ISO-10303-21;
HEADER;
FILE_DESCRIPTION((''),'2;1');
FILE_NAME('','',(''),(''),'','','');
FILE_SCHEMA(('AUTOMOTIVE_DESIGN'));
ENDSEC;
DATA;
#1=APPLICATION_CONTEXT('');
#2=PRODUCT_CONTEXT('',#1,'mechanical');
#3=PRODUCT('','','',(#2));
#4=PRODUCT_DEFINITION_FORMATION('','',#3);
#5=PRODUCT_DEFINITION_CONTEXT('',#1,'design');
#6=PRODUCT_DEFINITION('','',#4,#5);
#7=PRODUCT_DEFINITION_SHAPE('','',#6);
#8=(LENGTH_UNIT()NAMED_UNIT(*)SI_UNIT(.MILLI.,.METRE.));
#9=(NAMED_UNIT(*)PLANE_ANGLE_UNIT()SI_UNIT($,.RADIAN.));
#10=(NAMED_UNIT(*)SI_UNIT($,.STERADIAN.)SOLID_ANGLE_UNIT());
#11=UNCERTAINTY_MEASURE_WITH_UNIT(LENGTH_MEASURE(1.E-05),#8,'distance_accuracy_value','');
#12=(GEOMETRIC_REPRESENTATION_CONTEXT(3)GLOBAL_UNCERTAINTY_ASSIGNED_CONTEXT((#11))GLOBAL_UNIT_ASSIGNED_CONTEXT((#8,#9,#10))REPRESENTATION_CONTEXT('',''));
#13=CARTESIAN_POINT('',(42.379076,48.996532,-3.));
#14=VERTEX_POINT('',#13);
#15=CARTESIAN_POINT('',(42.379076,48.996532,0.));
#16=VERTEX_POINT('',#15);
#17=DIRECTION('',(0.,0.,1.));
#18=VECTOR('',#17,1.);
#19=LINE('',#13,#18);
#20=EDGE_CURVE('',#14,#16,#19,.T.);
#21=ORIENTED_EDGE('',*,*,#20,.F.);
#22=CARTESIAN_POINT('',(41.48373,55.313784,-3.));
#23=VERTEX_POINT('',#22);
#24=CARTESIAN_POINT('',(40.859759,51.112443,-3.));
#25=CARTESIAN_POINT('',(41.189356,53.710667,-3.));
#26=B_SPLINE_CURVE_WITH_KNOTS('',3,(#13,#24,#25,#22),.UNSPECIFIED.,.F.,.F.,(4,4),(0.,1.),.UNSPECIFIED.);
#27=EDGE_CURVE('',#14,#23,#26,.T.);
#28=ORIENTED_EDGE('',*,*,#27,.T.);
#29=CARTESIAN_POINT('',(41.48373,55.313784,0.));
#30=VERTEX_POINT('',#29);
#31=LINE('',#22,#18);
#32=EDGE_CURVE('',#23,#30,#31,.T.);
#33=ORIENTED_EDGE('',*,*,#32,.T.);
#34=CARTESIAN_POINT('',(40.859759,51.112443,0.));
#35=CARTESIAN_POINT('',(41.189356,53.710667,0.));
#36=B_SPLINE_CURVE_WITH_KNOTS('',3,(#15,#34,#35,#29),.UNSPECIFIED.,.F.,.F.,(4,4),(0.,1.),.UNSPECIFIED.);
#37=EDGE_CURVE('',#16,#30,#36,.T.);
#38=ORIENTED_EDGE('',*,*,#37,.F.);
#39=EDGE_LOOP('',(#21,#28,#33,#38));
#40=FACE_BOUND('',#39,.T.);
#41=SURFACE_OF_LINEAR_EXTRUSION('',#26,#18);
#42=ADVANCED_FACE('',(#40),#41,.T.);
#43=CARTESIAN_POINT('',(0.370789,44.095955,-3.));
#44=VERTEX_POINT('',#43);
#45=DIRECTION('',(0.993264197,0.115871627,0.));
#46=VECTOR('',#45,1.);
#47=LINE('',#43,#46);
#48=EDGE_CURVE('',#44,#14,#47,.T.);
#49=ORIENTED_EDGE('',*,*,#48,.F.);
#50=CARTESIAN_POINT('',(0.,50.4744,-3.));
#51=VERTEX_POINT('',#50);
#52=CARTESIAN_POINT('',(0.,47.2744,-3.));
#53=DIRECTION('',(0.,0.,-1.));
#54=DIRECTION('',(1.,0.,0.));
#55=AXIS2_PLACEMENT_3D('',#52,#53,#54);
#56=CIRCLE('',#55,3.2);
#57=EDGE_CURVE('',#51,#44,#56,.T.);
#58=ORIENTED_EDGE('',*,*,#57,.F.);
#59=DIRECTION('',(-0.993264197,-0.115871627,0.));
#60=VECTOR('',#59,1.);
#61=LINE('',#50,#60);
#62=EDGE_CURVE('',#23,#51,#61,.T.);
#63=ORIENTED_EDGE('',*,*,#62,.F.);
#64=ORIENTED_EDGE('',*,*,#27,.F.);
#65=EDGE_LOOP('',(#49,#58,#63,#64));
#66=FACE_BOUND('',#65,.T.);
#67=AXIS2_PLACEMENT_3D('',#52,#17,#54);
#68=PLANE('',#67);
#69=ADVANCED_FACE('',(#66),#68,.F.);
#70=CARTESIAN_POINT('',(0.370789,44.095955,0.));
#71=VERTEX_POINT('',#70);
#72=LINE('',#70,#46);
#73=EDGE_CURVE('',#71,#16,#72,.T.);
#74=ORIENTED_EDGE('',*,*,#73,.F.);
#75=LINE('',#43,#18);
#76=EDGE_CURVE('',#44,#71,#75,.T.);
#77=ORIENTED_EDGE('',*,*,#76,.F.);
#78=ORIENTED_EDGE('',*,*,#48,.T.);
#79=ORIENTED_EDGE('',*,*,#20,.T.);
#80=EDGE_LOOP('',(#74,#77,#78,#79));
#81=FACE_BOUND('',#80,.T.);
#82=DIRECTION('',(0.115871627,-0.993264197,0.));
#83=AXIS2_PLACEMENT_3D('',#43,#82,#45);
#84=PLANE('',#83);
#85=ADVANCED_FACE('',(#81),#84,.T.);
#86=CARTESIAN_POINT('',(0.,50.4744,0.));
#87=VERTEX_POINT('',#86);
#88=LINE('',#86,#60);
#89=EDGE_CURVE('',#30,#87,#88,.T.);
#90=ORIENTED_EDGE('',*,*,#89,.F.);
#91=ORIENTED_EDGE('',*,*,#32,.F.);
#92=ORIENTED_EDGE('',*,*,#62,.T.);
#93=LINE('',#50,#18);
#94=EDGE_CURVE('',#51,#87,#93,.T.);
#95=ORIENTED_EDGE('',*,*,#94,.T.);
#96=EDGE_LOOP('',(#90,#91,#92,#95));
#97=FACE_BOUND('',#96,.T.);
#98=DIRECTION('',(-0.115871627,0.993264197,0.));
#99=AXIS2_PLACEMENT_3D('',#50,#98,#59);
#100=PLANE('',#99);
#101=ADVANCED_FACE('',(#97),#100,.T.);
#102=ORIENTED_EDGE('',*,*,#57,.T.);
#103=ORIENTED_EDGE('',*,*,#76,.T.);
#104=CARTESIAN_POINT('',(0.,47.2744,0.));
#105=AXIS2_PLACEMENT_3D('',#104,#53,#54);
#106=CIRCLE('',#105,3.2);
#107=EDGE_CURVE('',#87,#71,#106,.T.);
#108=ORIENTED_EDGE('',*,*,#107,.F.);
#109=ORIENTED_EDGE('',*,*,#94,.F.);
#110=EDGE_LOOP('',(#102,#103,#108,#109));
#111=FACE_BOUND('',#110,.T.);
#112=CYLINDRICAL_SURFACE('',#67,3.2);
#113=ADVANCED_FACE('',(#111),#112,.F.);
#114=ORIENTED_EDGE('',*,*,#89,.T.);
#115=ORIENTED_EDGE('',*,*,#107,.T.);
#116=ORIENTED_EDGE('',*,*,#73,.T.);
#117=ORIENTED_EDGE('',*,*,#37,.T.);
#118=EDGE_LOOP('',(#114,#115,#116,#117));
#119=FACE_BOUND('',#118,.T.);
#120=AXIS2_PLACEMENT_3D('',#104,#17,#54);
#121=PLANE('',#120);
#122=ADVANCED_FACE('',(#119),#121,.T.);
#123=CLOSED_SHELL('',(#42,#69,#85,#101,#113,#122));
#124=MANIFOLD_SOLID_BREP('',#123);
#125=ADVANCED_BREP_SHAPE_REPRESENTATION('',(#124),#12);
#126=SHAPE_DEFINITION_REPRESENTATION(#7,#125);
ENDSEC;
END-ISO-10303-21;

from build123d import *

# Parameters (mm, degrees)
BOSS_EXTRUDE1_DEPTH = 3


with BuildPart() as part:
    # Sketch1 → Boss-Extrude1 (new body)
    with BuildSketch(Plane.XY):
        with BuildLine():
            Line((0, 50.4744), (41.483730448, 55.313784486))
            add(Edge.make_bspline(
                [(42.379075966, 48.996532434), (40.859759265, 51.112442987), (41.189355998, 53.710666555), (41.483730448, 55.313784486)],
                knots=[0, 0, 0, 0, 1, 1, 1, 1], degree=3))
            Line((42.379075966, 48.996532434), (0.370789207, 44.095954568))
            ThreePointArc((0.370789207, 44.095954568), (3.194606813, 47.46010759), (0, 50.4744))
        make_face()
    extrude(amount=-BOSS_EXTRUDE1_DEPTH)


solid = part.part
